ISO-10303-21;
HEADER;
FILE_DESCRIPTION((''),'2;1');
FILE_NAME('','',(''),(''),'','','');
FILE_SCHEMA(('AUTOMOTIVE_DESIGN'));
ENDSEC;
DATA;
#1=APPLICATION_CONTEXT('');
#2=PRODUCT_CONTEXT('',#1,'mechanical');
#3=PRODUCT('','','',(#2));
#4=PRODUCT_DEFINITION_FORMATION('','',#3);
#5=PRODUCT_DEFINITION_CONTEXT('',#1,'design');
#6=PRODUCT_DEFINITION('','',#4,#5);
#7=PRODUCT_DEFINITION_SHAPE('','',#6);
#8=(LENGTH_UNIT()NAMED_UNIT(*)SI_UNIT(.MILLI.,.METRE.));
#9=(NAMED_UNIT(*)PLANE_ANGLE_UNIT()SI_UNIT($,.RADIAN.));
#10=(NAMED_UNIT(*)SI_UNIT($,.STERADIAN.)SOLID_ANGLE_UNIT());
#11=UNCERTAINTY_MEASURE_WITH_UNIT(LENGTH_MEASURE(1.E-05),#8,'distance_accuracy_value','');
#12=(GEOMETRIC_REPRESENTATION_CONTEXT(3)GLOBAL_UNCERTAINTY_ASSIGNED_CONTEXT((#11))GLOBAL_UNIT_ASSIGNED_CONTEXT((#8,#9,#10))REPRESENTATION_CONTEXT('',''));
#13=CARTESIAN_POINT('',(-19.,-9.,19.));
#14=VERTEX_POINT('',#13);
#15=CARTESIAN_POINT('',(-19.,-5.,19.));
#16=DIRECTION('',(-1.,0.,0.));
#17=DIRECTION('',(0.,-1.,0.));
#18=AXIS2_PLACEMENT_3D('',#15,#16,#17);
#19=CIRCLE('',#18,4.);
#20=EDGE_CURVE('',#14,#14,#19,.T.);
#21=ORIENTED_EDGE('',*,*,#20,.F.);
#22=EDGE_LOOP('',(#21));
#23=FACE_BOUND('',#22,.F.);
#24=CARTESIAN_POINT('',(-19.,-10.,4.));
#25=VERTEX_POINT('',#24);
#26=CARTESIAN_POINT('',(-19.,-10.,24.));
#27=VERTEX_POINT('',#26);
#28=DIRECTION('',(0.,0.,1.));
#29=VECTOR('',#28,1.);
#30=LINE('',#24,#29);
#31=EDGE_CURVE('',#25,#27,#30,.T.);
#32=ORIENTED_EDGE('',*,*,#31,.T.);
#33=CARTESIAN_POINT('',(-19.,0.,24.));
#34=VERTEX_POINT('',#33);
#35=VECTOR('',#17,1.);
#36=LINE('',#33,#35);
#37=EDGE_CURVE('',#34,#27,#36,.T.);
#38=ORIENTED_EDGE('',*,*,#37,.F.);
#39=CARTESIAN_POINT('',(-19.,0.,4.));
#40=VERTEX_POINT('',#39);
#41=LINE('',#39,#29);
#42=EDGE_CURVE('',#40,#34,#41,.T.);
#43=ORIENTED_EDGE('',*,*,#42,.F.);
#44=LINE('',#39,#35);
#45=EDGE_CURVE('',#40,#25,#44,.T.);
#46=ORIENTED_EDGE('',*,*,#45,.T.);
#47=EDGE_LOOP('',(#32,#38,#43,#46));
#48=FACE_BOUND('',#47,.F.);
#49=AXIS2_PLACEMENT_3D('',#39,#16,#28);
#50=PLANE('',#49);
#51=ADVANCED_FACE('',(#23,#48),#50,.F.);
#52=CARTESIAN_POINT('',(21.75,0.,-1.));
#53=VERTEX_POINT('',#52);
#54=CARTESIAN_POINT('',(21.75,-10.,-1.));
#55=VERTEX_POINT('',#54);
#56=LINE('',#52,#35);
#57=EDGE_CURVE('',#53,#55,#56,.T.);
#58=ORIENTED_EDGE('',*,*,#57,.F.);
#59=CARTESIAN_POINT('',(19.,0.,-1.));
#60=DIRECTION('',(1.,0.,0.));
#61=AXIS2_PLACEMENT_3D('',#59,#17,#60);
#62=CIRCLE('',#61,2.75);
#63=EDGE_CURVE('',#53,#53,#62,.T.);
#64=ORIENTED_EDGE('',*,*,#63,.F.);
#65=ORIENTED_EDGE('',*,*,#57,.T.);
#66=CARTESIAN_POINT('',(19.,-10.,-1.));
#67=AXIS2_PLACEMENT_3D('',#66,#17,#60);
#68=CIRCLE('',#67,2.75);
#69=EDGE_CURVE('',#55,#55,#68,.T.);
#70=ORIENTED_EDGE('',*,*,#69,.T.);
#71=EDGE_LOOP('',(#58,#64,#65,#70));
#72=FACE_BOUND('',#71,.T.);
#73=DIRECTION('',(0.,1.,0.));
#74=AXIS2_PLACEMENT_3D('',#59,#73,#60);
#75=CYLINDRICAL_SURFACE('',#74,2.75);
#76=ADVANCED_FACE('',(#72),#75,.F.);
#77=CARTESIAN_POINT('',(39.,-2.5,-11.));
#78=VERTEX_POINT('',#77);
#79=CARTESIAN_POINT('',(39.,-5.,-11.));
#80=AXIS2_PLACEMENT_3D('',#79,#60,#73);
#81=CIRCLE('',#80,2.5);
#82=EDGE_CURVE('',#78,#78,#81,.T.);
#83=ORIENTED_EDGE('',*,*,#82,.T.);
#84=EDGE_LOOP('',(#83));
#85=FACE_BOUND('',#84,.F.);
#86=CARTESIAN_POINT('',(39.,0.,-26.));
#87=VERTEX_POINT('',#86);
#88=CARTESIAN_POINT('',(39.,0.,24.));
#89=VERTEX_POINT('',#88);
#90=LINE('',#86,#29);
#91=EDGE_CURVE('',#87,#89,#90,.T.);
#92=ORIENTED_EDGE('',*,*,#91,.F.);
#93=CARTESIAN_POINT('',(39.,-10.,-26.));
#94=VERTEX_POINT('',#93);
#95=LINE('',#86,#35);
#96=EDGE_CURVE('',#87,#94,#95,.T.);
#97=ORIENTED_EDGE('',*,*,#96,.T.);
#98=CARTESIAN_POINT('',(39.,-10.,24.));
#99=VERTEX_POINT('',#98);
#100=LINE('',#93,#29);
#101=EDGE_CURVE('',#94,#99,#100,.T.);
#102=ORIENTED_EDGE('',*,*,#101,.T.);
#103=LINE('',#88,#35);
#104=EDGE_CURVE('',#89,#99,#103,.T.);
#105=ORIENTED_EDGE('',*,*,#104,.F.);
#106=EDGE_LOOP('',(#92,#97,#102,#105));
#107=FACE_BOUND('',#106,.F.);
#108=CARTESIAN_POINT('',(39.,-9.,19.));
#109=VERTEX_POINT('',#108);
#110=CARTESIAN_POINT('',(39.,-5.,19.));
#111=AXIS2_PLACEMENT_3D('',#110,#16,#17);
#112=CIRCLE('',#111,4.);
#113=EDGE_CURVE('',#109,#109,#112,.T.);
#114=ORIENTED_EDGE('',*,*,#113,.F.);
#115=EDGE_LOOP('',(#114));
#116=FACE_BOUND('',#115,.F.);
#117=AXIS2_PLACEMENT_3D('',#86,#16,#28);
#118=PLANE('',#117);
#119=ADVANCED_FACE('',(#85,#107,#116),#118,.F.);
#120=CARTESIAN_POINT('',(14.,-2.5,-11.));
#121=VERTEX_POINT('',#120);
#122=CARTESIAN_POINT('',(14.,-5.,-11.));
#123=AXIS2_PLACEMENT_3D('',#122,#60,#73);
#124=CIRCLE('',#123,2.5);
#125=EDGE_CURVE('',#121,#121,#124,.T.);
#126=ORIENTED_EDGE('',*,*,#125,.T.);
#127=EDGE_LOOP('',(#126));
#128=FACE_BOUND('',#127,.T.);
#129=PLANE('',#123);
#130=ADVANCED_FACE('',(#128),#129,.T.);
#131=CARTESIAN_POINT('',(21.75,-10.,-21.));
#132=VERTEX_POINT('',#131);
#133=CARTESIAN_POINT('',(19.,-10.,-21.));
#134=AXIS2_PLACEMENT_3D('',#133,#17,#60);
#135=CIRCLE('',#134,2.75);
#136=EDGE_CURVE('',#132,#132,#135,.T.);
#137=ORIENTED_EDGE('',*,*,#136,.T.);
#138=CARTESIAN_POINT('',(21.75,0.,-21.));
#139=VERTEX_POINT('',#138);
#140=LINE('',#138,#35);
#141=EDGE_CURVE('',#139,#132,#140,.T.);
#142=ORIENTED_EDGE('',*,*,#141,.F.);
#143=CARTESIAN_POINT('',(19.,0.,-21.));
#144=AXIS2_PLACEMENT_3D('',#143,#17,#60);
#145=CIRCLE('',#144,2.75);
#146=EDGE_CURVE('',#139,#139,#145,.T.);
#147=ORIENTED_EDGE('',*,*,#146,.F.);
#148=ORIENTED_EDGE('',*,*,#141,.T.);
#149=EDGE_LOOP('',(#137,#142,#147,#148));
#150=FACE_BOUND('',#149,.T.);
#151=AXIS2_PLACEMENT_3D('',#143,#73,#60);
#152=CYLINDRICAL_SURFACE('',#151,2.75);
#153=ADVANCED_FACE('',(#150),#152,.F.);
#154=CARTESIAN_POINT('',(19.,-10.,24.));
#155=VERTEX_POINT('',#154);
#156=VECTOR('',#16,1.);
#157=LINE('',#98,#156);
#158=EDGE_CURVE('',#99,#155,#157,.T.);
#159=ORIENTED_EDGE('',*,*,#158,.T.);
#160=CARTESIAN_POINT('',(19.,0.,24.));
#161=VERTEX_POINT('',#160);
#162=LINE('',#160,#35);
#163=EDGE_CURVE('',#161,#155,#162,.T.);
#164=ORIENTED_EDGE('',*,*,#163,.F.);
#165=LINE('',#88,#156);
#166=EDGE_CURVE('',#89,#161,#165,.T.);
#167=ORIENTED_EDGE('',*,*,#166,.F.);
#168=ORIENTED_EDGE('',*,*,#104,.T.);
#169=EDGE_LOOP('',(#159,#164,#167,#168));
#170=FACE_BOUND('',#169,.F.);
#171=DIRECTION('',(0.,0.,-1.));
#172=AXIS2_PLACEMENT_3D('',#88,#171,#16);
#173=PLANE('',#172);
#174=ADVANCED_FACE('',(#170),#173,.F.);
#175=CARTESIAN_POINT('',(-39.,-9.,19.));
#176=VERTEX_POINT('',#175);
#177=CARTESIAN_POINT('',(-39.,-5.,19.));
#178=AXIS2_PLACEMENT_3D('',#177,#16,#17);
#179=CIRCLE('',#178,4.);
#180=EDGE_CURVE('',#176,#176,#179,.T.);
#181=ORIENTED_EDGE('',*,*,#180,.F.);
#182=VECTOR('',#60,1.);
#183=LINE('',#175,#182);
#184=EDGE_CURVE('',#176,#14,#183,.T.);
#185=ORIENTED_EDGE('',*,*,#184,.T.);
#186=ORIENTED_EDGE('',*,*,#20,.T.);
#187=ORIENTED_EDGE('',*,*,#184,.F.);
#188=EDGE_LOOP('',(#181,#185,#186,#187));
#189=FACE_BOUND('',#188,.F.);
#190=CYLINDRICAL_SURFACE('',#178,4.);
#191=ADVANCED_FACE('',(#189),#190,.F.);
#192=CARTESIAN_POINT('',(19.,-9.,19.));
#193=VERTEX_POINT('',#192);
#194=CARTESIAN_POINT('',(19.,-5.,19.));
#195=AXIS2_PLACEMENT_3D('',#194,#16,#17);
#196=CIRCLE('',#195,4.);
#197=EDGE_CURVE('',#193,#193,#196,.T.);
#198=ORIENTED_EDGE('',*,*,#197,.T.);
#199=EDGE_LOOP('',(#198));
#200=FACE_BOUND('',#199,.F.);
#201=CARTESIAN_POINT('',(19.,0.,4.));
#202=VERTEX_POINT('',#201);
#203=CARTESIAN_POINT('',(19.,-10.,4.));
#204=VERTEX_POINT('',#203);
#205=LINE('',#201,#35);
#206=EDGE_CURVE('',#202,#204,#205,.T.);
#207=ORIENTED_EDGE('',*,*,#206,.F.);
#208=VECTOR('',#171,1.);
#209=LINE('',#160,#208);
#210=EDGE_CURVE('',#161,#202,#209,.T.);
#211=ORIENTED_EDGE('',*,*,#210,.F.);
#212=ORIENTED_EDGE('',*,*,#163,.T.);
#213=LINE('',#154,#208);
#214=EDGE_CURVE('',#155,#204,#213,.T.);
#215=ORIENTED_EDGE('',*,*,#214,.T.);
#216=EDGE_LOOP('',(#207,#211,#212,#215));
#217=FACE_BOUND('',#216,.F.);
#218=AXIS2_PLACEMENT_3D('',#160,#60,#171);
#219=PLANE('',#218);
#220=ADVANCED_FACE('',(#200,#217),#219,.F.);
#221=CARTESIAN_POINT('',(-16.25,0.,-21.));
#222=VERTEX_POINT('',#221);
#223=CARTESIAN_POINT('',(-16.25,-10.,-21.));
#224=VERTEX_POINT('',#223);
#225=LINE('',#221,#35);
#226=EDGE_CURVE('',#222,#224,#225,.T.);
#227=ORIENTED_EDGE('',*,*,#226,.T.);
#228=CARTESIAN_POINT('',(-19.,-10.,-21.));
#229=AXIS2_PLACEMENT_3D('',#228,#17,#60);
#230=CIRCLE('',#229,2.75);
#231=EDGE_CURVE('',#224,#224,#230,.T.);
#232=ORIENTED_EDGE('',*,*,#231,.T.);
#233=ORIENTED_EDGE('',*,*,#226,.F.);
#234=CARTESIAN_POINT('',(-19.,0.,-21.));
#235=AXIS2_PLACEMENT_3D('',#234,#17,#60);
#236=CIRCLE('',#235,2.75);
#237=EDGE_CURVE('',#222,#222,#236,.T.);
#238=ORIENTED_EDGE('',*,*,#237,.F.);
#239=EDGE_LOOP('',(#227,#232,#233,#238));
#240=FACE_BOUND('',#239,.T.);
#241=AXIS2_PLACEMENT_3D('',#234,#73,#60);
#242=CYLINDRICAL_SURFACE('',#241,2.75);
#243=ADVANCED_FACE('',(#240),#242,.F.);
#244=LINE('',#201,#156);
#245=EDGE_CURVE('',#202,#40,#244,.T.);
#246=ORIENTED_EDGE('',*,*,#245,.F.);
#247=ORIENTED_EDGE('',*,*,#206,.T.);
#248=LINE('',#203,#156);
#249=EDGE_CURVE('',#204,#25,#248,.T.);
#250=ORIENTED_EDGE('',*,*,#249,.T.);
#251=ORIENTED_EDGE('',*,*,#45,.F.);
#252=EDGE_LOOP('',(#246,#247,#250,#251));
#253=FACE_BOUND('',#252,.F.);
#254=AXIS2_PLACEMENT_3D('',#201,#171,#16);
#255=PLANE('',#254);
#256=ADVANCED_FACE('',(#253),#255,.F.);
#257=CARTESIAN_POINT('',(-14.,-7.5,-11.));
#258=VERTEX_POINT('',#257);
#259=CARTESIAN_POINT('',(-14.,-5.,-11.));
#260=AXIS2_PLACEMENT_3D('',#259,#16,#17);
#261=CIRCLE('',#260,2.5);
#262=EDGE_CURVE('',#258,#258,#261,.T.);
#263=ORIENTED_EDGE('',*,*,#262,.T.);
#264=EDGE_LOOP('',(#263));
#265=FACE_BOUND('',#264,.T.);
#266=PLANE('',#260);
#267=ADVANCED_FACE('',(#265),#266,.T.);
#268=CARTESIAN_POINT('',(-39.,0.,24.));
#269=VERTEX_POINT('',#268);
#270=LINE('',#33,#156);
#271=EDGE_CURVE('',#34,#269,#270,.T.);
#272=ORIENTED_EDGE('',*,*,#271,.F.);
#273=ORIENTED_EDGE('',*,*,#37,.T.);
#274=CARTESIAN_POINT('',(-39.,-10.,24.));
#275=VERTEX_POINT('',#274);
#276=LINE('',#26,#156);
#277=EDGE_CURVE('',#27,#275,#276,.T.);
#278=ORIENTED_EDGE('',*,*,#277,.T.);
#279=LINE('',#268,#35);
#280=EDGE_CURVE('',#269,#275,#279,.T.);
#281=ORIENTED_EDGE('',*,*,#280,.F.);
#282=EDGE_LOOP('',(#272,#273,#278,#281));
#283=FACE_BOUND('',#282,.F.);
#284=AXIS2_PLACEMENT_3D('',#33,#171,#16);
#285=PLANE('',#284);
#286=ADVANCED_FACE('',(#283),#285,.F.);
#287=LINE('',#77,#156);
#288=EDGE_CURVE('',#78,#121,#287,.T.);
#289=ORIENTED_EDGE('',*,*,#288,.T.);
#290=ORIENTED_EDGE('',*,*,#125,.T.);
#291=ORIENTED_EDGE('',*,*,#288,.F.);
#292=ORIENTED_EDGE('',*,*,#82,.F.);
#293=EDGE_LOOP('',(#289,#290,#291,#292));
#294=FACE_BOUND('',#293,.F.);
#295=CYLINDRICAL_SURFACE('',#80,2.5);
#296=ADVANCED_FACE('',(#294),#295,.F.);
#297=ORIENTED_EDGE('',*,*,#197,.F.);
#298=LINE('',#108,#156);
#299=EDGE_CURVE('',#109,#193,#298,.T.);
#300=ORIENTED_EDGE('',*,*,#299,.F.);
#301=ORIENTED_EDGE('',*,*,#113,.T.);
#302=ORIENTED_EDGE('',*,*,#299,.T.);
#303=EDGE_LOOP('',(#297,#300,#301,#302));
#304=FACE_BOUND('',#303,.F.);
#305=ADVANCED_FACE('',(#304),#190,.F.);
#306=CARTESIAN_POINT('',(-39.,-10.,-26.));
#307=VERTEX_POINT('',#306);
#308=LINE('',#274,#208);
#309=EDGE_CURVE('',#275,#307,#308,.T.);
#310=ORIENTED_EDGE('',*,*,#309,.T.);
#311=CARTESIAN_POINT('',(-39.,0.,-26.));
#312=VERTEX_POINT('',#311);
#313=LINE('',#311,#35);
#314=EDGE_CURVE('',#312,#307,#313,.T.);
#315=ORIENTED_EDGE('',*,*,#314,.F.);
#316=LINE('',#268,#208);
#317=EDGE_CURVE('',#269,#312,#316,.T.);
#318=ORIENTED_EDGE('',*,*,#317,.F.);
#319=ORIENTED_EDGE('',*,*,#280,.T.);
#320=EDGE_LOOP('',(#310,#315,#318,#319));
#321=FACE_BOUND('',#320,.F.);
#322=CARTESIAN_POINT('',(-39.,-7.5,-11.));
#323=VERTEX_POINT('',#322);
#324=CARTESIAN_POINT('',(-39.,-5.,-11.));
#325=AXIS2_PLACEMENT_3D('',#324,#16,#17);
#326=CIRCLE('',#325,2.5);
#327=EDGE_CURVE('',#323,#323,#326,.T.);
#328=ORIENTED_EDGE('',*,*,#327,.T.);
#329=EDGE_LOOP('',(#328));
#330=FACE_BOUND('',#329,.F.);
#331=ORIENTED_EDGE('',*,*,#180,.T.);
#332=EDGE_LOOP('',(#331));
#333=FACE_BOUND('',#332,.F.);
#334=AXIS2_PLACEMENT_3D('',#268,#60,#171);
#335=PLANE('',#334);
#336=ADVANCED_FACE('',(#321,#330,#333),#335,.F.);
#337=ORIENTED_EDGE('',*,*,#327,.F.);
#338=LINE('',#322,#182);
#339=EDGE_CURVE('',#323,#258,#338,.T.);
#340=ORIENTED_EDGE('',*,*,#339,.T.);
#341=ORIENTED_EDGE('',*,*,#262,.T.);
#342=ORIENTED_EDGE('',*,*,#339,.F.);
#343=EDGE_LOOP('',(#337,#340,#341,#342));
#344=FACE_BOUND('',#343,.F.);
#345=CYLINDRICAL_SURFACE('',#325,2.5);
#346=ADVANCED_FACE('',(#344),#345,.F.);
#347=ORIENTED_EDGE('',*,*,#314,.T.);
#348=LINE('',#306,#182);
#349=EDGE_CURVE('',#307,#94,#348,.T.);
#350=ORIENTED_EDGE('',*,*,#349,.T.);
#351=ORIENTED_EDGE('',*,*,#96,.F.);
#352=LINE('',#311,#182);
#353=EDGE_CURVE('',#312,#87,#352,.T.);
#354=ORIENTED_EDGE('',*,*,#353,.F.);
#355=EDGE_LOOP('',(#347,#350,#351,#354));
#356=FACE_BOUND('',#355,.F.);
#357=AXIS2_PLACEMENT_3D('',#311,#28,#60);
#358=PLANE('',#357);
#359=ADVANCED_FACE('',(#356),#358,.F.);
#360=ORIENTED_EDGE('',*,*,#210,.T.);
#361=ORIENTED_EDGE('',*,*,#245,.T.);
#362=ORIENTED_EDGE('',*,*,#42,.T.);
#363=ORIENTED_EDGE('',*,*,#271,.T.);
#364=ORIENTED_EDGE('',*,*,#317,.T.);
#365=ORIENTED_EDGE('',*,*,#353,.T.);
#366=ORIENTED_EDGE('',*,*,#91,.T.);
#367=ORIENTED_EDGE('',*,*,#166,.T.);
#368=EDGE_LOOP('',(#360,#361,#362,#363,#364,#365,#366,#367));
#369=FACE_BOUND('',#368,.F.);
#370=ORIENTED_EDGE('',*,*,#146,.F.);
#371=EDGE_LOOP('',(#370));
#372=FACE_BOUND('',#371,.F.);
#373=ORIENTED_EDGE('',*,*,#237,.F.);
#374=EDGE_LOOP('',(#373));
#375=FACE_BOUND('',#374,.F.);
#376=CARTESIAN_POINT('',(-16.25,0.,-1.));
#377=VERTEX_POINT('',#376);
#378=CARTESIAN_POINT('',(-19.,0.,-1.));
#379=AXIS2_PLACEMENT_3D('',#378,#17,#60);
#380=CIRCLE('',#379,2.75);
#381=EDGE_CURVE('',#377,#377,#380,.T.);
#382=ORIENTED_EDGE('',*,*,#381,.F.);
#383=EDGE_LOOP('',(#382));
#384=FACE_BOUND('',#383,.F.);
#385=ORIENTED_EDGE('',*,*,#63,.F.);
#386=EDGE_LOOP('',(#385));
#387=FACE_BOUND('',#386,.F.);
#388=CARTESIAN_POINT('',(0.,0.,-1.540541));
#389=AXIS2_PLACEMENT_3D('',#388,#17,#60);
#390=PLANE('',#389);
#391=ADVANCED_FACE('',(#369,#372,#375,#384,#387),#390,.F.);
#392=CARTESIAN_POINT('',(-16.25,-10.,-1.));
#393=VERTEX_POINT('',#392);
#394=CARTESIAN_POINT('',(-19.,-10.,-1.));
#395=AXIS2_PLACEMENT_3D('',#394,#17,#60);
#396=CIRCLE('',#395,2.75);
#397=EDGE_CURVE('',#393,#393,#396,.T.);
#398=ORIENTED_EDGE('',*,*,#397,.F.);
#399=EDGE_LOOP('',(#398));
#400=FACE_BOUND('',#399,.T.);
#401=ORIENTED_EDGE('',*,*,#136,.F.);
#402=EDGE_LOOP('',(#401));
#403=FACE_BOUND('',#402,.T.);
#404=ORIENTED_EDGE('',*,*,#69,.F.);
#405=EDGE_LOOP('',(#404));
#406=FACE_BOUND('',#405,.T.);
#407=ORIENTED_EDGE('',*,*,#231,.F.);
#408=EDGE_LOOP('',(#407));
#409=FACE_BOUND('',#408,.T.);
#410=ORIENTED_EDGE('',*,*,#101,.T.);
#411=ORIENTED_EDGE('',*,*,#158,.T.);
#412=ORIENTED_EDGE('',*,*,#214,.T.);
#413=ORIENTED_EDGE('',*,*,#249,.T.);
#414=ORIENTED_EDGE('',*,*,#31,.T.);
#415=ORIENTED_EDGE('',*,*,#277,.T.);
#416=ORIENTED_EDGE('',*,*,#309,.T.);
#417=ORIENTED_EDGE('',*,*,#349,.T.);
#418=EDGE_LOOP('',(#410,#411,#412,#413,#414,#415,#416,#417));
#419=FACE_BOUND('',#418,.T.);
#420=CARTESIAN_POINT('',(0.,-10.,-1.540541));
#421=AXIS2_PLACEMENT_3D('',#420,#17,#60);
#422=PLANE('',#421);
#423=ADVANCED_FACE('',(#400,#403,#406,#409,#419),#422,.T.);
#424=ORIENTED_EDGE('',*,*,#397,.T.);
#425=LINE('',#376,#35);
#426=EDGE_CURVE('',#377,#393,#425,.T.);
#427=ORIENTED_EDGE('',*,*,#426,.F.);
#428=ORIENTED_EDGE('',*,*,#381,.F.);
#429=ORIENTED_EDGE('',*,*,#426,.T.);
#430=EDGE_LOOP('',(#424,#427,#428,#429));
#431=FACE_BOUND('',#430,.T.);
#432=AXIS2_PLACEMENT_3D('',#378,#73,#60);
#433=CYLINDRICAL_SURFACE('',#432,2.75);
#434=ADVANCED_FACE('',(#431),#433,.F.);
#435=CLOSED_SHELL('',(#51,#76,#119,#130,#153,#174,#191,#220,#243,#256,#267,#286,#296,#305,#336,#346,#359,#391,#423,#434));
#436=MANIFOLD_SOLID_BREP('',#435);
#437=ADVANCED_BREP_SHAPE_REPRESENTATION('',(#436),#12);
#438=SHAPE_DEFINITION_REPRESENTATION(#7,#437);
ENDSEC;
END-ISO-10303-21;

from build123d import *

# Parameters (mm, degrees)
F0_R     = 2.75
F1_DEPTH = 10
F2_R     = 4
F3_DEPTH = 99
F4_R     = 2.5
F5_DEPTH = 25
F6_R     = 2.5
F7_DEPTH = 25
F9_DEPTH = 75


with BuildPart() as f1:
    # F0 (on Front) → F1 (new body)
    with BuildSketch(Plane.XZ):
        Polygon((-19, 24), (-39, 24), (-39, -26), (39, -26), (39, 24), (19, 24), (19, 4), (-19, 4), align=None)
        with Locations((-19, -21)):
            Circle(F0_R, mode=Mode.SUBTRACT)
        with Locations((19, -21)):
            Circle(F0_R, mode=Mode.SUBTRACT)
        with Locations((-19, -1)):
            Circle(F0_R, mode=Mode.SUBTRACT)
        with Locations((19, -1)):
            Circle(F0_R, mode=Mode.SUBTRACT)
    extrude(amount=F1_DEPTH)

    # F2 (on face) → F3 (cut)
    with BuildSketch(Plane(origin=(-39, 0, 0), x_dir=(0, -1, 0), z_dir=(-1, 0, 0))):
        with Locations((5, 19)):
            Circle(F2_R)
    extrude(amount=-F3_DEPTH, mode=Mode.SUBTRACT)

    # F4 (on face) → F5 (cut)
    with BuildSketch(Plane(origin=(-39, 0, 0), x_dir=(0, -1, 0), z_dir=(-1, 0, 0))):
        with Locations((5, -11)):
            Circle(F4_R)
    extrude(amount=-F5_DEPTH, mode=Mode.SUBTRACT)

    # F6 (on face) → F7 (cut)
    with BuildSketch(Plane.YZ.offset(39)):
        with Locations((-5, -11)):
            Circle(F6_R)
    extrude(amount=-F7_DEPTH, mode=Mode.SUBTRACT)

    # F2 (on face) → F9 (cut)
    with BuildSketch(Plane(origin=(-39, 0, 0), x_dir=(0, -1, 0), z_dir=(-1, 0, 0))):
        with Locations((5, 19)):
            Circle(F2_R)
    extrude(amount=-F9_DEPTH, mode=Mode.SUBTRACT)


solid = f1.part
